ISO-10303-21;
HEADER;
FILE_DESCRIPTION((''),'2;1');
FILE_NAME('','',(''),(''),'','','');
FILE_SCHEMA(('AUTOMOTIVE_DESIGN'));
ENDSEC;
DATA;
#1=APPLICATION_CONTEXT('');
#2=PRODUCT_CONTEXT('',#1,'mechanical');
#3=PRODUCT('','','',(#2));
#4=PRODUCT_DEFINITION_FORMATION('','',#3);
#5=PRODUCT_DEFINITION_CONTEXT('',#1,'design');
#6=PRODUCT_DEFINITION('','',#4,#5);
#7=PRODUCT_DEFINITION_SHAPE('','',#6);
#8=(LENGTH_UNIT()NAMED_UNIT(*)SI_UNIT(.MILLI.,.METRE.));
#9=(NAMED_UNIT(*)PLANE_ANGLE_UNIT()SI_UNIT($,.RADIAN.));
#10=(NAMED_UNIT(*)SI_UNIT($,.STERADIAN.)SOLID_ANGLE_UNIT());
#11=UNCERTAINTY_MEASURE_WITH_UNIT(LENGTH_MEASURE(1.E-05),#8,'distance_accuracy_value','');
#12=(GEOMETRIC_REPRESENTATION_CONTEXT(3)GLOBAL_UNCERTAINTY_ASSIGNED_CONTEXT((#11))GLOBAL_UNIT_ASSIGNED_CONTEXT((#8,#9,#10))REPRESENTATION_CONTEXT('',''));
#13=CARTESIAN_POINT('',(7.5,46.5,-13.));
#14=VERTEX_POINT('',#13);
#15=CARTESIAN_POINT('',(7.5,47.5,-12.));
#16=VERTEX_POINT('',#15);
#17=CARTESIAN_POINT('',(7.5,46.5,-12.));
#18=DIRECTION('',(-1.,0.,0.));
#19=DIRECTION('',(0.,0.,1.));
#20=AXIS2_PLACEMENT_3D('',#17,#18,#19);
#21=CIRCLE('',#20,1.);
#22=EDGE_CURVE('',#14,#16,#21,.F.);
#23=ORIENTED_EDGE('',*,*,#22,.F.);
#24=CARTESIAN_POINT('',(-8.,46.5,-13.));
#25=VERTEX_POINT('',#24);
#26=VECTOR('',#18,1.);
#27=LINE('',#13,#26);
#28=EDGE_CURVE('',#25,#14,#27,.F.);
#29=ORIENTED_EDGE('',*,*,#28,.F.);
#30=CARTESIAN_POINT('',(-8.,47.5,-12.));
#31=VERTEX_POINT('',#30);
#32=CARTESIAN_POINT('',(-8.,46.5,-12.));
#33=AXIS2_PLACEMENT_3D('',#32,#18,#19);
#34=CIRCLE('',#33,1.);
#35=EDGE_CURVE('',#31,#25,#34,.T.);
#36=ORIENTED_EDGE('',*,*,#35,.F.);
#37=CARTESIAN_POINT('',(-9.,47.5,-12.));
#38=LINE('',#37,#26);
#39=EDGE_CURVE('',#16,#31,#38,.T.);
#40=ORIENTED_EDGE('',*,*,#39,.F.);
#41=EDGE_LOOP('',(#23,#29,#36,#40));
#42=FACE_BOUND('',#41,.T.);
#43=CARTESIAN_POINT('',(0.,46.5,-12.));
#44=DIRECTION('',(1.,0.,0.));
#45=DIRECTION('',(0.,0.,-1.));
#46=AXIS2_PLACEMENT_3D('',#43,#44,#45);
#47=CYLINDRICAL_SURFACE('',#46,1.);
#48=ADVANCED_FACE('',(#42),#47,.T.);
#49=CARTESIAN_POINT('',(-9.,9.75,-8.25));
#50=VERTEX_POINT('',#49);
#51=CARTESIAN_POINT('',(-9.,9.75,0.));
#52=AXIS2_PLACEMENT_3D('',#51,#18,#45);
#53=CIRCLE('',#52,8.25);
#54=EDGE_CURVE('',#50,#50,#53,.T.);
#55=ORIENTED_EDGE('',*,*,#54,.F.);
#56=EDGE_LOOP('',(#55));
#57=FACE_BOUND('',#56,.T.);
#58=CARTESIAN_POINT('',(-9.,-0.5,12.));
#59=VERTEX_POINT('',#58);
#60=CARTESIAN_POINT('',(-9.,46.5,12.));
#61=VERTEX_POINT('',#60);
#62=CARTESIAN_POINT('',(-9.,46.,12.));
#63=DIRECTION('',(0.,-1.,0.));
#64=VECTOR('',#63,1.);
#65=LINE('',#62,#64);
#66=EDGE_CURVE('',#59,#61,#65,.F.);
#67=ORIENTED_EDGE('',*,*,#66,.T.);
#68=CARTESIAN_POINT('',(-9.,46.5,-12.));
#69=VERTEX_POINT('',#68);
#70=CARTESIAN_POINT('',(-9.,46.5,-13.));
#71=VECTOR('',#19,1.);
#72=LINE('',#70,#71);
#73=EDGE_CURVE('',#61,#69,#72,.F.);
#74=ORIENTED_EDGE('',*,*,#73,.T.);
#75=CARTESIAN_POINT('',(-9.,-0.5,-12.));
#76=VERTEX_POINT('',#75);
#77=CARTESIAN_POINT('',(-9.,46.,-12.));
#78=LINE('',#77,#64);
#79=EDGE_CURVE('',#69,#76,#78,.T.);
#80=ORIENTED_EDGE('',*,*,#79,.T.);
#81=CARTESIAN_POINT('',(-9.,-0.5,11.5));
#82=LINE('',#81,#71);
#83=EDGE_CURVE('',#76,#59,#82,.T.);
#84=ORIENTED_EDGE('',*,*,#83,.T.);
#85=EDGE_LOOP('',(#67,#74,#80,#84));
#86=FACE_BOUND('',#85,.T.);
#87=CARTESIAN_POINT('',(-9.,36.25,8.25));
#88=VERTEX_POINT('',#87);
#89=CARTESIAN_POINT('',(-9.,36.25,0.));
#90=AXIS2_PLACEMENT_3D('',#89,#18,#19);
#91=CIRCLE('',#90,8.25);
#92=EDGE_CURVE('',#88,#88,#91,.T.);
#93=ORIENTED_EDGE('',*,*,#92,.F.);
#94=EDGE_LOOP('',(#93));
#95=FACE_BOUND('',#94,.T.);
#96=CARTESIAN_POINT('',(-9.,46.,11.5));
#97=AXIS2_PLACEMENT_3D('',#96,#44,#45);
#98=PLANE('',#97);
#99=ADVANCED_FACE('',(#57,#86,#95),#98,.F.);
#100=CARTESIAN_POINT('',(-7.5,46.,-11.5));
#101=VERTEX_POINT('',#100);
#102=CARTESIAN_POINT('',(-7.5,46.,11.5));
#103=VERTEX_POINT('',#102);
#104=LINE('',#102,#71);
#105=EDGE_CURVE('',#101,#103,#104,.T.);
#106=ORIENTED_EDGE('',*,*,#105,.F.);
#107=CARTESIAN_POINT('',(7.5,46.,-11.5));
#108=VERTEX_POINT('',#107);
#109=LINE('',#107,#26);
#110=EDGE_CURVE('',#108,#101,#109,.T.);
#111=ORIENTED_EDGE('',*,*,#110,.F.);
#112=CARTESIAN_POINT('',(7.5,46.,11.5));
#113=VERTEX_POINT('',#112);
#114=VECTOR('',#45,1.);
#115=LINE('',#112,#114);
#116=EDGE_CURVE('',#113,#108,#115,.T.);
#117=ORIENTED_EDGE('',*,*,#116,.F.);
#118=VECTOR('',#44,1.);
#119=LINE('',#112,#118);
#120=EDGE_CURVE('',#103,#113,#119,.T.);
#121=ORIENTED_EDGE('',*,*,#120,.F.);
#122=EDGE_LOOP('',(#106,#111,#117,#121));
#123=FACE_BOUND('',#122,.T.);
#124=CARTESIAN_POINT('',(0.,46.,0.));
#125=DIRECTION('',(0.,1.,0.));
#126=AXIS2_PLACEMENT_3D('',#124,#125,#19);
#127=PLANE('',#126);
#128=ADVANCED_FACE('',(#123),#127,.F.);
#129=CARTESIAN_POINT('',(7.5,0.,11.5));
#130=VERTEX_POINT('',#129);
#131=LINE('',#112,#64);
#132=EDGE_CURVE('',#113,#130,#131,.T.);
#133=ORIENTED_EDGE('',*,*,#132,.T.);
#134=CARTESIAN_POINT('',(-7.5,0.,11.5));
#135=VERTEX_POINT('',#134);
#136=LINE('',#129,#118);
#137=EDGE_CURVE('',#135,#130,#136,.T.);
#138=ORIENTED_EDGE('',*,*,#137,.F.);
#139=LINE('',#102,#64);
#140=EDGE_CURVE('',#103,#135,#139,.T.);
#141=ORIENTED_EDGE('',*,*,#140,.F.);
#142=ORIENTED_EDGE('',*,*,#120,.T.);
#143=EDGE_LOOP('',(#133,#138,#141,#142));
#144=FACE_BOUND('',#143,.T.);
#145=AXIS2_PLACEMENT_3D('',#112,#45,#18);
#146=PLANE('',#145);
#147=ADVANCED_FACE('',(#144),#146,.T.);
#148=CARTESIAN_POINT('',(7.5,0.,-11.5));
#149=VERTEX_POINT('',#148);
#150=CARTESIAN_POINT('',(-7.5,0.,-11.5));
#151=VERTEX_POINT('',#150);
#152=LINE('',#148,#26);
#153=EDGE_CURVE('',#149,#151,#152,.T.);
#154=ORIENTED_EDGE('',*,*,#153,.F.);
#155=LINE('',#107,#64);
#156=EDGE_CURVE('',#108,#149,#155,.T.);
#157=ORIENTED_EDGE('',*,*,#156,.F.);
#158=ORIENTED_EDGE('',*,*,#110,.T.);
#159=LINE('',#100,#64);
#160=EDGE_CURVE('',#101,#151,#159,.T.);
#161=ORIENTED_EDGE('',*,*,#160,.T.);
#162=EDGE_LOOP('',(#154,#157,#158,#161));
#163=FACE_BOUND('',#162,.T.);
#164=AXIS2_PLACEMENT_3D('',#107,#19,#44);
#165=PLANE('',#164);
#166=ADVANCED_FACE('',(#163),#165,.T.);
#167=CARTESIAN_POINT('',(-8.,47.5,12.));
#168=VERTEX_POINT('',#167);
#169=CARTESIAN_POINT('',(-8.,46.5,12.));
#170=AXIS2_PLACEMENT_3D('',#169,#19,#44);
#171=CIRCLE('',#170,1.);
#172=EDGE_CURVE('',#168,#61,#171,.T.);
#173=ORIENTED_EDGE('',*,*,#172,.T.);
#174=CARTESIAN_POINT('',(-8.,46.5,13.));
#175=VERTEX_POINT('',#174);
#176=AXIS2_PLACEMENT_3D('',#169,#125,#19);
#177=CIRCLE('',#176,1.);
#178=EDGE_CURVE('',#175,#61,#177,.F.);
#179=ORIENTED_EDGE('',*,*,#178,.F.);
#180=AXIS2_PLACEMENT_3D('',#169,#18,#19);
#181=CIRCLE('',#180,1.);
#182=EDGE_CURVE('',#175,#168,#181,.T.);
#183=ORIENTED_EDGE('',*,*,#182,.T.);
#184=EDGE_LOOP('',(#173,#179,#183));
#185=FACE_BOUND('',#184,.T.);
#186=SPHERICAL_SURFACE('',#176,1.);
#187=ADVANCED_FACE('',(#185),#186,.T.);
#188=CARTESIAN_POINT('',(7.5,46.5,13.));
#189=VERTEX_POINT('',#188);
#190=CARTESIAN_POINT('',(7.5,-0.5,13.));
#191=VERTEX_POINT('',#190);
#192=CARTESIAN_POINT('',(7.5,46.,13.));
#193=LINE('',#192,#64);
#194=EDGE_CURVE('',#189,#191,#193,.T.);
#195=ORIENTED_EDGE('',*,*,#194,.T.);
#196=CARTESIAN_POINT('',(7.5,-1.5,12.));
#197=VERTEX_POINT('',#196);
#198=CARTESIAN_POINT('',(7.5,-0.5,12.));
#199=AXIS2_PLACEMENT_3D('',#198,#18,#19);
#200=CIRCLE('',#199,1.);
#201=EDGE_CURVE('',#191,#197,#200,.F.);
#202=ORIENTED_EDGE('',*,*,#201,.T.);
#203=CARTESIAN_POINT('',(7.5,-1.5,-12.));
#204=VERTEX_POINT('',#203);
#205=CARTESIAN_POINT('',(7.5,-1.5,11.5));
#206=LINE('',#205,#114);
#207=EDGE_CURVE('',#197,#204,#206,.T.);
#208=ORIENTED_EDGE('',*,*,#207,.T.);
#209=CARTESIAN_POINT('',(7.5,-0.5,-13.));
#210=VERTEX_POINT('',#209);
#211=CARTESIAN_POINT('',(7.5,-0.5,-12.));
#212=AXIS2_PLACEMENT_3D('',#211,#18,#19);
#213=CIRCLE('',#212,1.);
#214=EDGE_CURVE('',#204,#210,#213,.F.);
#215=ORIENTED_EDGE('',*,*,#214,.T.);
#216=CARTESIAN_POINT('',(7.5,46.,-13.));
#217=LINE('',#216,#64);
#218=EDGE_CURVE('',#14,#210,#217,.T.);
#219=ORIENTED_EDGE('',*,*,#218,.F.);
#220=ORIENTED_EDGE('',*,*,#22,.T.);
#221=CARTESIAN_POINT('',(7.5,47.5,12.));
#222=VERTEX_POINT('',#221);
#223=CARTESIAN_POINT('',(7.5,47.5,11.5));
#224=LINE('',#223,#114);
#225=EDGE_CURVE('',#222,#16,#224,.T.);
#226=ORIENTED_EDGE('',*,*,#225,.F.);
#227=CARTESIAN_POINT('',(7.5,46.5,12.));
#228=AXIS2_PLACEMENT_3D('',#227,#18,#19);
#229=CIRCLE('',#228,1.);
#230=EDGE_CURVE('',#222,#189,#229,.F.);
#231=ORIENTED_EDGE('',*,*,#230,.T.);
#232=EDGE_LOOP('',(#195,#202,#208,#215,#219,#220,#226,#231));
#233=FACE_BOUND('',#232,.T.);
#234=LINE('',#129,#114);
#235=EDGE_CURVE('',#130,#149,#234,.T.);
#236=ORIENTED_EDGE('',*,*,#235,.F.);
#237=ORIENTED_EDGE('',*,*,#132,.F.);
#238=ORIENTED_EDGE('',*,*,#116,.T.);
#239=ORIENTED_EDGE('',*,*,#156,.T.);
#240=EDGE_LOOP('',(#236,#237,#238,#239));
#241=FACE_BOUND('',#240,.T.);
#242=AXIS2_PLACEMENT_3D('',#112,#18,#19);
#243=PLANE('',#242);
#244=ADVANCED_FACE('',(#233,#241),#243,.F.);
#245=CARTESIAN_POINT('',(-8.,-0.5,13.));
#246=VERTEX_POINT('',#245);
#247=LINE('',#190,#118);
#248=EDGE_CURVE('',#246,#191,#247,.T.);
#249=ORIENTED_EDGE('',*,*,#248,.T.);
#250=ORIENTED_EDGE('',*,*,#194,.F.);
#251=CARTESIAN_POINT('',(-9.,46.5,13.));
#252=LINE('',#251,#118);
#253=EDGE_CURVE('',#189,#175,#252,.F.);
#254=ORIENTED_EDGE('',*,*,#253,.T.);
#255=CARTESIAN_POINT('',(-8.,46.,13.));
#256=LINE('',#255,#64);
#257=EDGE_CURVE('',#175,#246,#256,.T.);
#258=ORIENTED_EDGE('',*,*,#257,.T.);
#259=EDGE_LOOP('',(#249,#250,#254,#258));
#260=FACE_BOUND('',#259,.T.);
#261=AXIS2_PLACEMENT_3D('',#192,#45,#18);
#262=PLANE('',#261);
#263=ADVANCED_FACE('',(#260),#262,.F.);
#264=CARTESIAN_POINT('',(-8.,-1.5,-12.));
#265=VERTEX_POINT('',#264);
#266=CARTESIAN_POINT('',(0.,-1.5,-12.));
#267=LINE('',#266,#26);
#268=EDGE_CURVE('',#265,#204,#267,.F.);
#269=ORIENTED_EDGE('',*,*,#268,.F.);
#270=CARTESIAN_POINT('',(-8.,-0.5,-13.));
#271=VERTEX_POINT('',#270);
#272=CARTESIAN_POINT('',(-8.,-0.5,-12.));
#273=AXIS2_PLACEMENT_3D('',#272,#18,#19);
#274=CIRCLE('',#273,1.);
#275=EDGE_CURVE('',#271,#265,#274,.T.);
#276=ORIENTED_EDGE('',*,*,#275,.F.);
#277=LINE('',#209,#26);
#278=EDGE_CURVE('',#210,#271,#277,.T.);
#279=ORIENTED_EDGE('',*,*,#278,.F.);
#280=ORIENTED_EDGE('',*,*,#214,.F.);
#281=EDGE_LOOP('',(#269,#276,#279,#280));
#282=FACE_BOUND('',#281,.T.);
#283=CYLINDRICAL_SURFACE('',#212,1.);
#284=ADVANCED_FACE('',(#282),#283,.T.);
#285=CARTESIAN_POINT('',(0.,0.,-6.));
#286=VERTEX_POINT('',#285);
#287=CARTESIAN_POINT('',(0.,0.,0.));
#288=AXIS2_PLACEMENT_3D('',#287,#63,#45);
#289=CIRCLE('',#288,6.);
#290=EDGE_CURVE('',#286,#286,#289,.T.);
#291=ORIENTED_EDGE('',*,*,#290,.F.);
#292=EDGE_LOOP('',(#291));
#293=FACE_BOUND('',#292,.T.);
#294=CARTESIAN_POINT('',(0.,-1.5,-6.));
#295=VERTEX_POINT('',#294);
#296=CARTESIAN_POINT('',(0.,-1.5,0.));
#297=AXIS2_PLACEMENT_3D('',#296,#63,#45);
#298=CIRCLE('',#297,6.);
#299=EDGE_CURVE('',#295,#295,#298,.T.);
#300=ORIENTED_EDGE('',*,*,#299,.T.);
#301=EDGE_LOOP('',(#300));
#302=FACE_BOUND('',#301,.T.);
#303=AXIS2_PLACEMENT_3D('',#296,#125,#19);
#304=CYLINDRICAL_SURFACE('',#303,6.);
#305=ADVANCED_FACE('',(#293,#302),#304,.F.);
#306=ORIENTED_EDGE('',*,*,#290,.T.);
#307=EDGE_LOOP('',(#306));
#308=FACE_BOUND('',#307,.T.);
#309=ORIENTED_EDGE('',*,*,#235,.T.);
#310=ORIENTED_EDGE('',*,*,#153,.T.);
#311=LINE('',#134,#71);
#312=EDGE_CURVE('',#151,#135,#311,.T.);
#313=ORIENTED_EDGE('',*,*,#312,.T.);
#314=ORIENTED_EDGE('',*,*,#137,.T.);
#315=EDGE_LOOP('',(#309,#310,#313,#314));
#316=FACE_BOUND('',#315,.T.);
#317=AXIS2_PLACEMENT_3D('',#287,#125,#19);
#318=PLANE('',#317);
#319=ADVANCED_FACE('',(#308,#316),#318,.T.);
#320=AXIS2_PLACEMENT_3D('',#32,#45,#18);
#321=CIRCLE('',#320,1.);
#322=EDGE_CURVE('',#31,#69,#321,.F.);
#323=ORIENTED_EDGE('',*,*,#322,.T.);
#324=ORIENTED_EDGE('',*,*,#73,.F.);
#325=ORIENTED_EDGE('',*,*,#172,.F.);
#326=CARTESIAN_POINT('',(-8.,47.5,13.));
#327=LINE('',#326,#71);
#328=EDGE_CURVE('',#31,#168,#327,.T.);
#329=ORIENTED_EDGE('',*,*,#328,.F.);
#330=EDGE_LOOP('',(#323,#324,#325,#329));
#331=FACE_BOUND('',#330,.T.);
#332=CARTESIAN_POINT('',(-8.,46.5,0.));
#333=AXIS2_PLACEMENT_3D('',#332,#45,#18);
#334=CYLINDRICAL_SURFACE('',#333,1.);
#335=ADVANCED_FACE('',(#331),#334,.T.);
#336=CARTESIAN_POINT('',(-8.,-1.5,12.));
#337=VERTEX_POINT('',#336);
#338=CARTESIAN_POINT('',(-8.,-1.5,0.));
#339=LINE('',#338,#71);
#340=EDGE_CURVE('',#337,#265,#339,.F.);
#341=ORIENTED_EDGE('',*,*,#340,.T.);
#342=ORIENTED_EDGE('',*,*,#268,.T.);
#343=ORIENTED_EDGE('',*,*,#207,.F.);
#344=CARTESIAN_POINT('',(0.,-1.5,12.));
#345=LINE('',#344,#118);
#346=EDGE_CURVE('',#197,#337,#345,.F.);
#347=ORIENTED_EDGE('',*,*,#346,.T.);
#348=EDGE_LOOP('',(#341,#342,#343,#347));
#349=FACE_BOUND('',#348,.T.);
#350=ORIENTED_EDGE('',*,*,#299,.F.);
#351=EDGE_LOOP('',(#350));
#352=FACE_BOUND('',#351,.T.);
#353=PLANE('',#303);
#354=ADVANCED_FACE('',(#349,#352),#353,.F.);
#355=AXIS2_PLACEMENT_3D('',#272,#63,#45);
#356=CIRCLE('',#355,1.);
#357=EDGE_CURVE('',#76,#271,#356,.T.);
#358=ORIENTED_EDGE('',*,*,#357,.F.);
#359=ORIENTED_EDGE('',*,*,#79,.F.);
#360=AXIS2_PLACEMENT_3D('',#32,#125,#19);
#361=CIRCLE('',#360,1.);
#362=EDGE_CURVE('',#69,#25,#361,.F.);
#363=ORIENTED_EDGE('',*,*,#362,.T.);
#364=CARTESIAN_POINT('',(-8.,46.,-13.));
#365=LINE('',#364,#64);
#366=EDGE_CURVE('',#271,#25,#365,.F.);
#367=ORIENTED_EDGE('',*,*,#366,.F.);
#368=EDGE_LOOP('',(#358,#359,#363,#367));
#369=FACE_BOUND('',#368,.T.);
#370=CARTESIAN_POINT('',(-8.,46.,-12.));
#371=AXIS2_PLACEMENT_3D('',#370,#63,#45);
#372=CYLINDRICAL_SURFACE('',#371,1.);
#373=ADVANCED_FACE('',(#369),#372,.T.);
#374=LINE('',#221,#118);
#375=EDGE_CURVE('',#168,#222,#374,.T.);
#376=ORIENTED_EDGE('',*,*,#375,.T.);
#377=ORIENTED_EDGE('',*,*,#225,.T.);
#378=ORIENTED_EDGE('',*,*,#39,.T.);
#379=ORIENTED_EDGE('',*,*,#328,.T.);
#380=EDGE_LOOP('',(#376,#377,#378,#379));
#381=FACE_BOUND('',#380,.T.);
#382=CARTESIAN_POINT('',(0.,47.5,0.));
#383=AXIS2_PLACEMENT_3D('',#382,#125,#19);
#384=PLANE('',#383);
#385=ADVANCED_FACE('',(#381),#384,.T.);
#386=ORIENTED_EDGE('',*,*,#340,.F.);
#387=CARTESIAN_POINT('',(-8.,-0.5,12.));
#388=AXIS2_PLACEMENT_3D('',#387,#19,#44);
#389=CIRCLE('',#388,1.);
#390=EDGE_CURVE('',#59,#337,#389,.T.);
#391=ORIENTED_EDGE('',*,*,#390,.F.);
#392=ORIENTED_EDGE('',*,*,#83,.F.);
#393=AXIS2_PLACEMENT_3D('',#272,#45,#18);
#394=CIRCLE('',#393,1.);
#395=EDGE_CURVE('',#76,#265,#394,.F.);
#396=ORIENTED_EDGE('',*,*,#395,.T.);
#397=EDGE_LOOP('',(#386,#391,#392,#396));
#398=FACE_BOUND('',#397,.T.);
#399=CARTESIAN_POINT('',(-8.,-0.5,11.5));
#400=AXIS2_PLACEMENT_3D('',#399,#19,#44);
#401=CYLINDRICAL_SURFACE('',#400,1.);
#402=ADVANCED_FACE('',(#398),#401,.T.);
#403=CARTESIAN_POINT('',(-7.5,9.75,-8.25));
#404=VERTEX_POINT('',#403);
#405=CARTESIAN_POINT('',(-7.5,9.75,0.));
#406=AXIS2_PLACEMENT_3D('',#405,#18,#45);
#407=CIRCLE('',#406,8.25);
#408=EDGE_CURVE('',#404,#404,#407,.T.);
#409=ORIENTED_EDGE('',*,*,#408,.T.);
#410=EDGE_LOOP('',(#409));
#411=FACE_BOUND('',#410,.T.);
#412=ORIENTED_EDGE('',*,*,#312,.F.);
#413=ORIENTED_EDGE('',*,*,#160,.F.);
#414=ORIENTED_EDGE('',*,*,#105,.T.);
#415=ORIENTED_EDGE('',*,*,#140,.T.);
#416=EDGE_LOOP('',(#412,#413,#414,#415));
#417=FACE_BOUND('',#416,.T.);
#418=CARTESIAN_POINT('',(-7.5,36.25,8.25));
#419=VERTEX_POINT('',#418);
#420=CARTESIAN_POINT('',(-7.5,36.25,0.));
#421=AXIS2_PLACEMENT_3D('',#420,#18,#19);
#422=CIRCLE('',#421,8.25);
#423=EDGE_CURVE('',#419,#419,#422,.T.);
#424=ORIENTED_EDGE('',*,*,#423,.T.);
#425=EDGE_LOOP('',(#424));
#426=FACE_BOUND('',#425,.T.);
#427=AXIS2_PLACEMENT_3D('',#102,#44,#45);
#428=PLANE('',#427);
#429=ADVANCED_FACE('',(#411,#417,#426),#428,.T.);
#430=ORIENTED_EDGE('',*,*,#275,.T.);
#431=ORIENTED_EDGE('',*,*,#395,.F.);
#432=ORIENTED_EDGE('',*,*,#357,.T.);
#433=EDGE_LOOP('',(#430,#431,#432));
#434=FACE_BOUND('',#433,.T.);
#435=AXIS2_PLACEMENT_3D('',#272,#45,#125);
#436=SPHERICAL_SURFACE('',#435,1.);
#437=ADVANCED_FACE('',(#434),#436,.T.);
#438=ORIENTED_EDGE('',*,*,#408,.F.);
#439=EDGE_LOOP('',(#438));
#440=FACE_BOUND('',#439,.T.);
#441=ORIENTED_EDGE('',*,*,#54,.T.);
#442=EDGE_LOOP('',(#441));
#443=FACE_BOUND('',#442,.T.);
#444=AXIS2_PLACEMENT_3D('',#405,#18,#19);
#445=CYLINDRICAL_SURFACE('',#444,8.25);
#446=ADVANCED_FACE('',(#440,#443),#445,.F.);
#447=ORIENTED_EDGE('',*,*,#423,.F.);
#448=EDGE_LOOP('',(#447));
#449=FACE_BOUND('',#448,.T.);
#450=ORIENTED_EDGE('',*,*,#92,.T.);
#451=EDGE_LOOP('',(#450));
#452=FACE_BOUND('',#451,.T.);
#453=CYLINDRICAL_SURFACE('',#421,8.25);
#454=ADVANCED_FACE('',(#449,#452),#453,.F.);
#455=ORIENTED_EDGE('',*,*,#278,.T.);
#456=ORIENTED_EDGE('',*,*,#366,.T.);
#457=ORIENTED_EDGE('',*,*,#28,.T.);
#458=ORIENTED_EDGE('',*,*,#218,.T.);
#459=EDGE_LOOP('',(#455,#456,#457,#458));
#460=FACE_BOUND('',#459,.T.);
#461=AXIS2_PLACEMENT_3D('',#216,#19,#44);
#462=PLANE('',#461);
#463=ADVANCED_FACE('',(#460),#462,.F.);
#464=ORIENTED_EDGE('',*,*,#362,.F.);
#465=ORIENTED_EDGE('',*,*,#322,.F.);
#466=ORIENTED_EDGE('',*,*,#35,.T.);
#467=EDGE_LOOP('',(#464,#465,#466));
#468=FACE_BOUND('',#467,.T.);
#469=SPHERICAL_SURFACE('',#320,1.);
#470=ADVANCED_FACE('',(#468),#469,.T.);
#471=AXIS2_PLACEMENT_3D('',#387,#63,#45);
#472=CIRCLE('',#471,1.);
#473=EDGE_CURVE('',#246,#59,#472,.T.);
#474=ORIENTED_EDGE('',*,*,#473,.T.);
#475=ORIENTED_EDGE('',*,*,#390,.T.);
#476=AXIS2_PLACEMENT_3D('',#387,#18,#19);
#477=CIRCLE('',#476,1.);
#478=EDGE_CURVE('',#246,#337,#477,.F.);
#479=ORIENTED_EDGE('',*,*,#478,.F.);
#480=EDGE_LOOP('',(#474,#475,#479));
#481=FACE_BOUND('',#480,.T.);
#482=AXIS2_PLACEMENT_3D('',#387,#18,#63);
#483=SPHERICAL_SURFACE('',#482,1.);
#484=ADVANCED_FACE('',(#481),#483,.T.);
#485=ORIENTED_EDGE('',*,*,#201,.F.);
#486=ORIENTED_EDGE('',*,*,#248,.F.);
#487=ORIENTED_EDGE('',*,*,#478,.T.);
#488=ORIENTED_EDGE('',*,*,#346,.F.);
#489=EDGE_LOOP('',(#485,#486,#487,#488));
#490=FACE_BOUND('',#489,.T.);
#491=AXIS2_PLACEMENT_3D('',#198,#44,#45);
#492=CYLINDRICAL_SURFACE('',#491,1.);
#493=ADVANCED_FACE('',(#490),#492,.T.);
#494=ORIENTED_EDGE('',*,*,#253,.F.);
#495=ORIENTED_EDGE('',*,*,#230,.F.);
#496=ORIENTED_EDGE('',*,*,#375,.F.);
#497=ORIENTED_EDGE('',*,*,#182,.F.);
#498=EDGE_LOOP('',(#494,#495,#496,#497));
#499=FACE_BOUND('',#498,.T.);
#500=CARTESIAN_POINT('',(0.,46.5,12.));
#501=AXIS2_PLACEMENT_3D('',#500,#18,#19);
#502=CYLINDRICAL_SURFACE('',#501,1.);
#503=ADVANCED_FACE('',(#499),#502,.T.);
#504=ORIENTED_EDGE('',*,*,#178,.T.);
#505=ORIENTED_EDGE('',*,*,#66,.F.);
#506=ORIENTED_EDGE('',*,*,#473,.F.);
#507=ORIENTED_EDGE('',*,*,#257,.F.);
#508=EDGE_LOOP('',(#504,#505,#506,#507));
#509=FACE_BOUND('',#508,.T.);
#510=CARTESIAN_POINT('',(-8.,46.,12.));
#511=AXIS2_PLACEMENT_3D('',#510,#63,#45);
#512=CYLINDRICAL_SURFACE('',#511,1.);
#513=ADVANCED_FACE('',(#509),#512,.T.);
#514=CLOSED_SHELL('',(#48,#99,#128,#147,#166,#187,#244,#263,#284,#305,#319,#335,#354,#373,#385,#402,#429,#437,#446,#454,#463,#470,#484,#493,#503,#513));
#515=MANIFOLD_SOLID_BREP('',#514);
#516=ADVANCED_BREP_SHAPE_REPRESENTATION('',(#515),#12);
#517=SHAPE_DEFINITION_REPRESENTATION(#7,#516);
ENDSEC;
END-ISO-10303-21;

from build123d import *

# Parameters (mm, degrees)
SKETCH_1_W          = 15
SKETCH_1_H          = 23
EXTRUDE_1_DEPTH     = 46
SHELL_1_T           = 1.5
SKETCH_2_R          = 6
CUT_EXTRUDE_4_DEPTH = 1.5
SKETCH_3_R          = 8.25
CUT_EXTRUDE_5_DEPTH = 1.5
FILLET_2_R          = 1


with BuildPart() as part:
    # 草图1 → 凸台-拉伸1 (new body)
    with BuildSketch(Plane(origin=(0, 0, 0), x_dir=(1, 0, 0), z_dir=(0, 1, 0))):
        Rectangle(SKETCH_1_W, SKETCH_1_H)
    extrude(amount=EXTRUDE_1_DEPTH)

    # 抽壳1
    shell_1_openings = [part.faces().sort_by_distance(p)[0] for p in [
        (7.5, 23, 0),
    ]]
    offset(amount=SHELL_1_T, openings=shell_1_openings, kind=Kind.INTERSECTION)

    # 草图2 → 切除-拉伸4 (cut)
    with BuildSketch(Plane(origin=(0, 0, 0), x_dir=(-1, 0, 0), z_dir=(0, -1, 0))):
        with Locations(Location((0, 0, 0), (0, 0, 90))):
            Circle(SKETCH_2_R)
    extrude(amount=CUT_EXTRUDE_4_DEPTH, mode=Mode.SUBTRACT)

    # 草图3 → 切除-拉伸5 (cut)
    with BuildSketch(Plane.ZY.offset(9)):
        with Locations((0, 36.25)):
            Circle(SKETCH_3_R)
        with Locations(Location((0, 9.75, 0), (0, 0, 180))):
            Circle(SKETCH_3_R)
    extrude(amount=-CUT_EXTRUDE_5_DEPTH, mode=Mode.SUBTRACT)

    # 圆角2
    fillet_2_edges = [part.edges().sort_by_distance(p)[0] for p in [
        (-0.75, 47.5, -13),
        (-9, 47.5, 0),
        (-0.75, -1.5, -13),
        (-0.75, -1.5, 13),
        (-9, -1.5, 0),
        (-9, 23, -13),
        (-9, 23, 13),
        (-0.75, 47.5, 13),
    ]]
    fillet(fillet_2_edges, radius=FILLET_2_R)


solid = part.part
